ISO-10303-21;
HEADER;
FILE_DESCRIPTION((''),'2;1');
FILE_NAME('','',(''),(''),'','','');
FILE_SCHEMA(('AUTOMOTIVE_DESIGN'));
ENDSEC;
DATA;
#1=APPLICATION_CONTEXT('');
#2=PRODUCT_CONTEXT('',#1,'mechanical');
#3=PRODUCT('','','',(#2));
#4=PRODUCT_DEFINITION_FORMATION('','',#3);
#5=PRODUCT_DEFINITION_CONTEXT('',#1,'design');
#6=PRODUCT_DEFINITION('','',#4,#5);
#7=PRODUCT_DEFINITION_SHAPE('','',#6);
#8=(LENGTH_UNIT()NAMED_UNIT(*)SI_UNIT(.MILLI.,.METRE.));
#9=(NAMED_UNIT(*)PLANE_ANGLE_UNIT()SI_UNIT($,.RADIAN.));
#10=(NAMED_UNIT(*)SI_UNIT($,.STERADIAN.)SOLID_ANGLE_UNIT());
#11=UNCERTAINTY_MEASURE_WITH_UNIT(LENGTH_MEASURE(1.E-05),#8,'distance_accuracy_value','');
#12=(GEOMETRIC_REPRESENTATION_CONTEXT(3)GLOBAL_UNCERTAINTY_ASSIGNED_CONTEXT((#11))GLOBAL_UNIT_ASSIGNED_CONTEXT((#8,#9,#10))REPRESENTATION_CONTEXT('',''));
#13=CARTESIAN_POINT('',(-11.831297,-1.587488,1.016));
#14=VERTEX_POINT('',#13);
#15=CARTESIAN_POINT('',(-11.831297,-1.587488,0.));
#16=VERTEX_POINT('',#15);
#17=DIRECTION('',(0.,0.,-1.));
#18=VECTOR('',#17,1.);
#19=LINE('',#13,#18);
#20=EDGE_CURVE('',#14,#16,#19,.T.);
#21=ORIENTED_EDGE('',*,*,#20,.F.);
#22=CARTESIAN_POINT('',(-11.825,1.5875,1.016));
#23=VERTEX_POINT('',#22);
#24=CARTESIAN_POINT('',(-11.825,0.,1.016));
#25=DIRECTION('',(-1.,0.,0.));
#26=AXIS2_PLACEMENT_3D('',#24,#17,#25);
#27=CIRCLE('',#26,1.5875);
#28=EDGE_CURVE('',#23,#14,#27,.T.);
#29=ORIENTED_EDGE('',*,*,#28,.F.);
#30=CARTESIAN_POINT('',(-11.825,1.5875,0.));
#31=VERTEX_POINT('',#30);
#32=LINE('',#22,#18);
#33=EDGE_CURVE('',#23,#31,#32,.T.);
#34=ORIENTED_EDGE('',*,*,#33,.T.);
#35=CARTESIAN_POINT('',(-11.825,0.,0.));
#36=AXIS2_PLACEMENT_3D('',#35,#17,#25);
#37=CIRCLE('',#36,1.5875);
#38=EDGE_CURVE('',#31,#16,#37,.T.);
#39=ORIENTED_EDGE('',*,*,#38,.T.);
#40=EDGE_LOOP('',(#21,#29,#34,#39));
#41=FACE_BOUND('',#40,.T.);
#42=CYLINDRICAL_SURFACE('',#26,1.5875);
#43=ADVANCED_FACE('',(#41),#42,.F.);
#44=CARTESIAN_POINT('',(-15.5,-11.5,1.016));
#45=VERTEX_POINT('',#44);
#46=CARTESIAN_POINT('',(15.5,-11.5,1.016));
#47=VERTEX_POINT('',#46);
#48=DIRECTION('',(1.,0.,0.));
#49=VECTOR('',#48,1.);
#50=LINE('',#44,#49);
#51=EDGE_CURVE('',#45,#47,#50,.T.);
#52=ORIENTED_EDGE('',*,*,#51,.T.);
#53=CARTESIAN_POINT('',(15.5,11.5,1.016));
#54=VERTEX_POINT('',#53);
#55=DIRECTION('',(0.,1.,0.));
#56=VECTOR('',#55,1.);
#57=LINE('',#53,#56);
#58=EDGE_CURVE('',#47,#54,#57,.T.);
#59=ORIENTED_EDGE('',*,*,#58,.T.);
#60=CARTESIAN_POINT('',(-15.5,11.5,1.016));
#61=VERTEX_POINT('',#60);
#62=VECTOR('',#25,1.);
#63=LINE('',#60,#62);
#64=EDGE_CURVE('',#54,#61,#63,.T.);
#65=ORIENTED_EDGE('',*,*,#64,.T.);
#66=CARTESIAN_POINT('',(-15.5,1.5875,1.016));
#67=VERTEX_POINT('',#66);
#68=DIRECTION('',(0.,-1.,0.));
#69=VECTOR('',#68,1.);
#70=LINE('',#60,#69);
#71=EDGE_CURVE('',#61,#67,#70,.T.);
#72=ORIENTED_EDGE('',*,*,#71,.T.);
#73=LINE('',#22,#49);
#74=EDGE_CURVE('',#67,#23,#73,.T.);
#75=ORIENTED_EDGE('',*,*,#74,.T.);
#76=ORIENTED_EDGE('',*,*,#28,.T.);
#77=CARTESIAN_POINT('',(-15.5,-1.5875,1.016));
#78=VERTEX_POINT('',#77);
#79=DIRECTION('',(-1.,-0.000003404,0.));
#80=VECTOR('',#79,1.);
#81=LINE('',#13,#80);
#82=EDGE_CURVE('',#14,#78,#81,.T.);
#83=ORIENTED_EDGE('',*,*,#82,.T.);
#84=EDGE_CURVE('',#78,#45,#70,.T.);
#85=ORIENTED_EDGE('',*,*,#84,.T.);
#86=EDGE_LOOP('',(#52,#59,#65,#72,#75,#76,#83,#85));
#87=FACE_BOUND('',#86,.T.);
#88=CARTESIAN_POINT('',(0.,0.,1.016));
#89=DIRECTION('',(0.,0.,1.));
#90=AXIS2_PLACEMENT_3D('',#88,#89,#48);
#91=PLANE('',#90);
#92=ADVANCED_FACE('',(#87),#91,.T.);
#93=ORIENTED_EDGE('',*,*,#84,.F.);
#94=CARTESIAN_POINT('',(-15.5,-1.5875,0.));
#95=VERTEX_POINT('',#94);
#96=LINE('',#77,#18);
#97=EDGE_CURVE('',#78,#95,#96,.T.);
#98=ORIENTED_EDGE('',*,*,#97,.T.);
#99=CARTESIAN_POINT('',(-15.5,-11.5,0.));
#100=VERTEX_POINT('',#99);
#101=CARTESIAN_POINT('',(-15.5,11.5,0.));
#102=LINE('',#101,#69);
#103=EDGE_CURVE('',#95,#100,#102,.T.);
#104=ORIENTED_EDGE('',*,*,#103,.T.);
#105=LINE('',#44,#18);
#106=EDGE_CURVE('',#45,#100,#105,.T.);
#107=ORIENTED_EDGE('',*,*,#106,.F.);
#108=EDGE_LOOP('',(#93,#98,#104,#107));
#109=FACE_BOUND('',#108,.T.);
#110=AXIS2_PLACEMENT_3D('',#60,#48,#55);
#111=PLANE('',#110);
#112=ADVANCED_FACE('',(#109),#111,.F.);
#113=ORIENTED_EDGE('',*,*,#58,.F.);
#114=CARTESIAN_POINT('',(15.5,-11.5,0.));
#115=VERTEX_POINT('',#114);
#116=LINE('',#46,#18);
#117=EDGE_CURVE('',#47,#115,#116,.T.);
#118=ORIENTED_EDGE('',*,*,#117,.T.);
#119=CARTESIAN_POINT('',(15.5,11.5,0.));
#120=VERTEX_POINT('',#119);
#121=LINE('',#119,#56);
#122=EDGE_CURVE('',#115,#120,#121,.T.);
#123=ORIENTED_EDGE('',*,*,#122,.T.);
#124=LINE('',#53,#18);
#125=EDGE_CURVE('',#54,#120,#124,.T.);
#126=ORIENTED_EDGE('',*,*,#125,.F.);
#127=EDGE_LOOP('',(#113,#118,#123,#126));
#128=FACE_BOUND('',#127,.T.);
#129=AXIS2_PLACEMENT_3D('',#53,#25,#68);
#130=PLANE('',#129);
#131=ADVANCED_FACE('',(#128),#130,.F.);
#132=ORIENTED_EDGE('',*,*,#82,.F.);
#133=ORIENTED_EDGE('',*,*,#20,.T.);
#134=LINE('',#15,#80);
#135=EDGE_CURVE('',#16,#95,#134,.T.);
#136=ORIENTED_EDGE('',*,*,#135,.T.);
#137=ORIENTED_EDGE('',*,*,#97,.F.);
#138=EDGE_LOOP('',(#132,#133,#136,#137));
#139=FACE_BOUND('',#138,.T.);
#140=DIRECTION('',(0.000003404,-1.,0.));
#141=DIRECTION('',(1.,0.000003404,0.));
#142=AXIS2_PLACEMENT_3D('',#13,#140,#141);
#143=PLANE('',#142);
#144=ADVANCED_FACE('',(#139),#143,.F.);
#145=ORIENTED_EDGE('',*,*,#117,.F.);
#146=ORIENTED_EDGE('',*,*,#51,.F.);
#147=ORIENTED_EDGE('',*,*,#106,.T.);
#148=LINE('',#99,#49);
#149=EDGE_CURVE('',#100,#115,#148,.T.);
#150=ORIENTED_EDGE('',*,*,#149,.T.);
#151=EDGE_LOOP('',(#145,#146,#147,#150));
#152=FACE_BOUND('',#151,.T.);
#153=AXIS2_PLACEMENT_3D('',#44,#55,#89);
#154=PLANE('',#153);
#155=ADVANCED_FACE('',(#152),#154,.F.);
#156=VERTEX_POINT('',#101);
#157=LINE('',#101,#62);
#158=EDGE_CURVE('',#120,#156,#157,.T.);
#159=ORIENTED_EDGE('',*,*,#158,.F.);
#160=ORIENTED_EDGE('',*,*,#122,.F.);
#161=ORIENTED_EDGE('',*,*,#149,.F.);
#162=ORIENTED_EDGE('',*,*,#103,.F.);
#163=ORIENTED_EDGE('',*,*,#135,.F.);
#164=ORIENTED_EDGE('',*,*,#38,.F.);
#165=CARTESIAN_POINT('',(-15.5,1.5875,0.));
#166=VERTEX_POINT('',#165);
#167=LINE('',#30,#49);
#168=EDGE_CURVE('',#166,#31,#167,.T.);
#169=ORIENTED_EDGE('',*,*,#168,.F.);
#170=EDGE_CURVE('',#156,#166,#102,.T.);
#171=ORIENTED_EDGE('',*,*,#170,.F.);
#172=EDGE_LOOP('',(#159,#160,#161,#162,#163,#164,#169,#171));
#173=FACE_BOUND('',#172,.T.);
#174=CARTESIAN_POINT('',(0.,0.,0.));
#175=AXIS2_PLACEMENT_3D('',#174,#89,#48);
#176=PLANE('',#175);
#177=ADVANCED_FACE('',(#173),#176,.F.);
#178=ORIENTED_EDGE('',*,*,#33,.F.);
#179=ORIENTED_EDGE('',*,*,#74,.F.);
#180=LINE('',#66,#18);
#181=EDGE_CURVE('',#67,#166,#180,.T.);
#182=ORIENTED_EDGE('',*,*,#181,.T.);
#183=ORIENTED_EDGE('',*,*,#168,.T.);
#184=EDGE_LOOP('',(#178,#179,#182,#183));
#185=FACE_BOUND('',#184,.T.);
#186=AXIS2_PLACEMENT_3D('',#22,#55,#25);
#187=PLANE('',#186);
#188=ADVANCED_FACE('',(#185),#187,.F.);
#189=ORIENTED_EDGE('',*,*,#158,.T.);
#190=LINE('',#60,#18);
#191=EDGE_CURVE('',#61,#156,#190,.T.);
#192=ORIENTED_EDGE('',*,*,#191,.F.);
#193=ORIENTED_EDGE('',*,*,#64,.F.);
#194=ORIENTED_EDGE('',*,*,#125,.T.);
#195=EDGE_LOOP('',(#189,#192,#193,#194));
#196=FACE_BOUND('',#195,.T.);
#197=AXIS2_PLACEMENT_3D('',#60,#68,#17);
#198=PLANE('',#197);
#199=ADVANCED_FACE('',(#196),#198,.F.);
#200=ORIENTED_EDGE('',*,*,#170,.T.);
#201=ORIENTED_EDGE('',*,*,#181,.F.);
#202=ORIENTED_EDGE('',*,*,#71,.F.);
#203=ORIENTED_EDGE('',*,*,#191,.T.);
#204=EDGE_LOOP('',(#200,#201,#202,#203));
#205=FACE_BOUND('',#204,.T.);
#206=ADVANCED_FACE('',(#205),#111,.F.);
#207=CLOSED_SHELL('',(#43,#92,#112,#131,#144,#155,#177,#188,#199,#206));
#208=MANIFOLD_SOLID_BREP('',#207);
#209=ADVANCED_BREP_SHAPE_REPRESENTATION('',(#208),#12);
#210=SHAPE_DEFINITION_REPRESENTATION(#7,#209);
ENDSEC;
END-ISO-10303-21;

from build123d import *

# Parameters (mm, degrees)
SKETCH1_W           = 31
SKETCH1_H           = 23
BOSS_EXTRUDE1_DEPTH = 1.016
CUT_EXTRUDE1_DEPTH  = 20.326982589


with BuildPart() as part:
    # Sketch1 → Boss-Extrude1 (new body)
    with BuildSketch(Plane.XY):
        Rectangle(SKETCH1_W, SKETCH1_H)
    extrude(amount=BOSS_EXTRUDE1_DEPTH)

    # Sketch2 → Cut-Extrude1 (cut, through all)
    with BuildSketch(Plane(origin=(0, 0, 0), x_dir=(-1, 0, 0), z_dir=(0, 0, -1))):
        with BuildLine():
            Line((11.825, 1.5875), (15.5, 1.5875))
            Line((15.5, 1.5875), (15.5, -1.5875))
            Line((15.5, -1.5875), (11.831296781, -1.587487512))
            ThreePointArc((11.831296781, -1.587487512), (10.237503122, -0.003148397), (11.825, 1.5875))
        make_face()
    extrude(amount=-CUT_EXTRUDE1_DEPTH, mode=Mode.SUBTRACT)


solid = part.part
